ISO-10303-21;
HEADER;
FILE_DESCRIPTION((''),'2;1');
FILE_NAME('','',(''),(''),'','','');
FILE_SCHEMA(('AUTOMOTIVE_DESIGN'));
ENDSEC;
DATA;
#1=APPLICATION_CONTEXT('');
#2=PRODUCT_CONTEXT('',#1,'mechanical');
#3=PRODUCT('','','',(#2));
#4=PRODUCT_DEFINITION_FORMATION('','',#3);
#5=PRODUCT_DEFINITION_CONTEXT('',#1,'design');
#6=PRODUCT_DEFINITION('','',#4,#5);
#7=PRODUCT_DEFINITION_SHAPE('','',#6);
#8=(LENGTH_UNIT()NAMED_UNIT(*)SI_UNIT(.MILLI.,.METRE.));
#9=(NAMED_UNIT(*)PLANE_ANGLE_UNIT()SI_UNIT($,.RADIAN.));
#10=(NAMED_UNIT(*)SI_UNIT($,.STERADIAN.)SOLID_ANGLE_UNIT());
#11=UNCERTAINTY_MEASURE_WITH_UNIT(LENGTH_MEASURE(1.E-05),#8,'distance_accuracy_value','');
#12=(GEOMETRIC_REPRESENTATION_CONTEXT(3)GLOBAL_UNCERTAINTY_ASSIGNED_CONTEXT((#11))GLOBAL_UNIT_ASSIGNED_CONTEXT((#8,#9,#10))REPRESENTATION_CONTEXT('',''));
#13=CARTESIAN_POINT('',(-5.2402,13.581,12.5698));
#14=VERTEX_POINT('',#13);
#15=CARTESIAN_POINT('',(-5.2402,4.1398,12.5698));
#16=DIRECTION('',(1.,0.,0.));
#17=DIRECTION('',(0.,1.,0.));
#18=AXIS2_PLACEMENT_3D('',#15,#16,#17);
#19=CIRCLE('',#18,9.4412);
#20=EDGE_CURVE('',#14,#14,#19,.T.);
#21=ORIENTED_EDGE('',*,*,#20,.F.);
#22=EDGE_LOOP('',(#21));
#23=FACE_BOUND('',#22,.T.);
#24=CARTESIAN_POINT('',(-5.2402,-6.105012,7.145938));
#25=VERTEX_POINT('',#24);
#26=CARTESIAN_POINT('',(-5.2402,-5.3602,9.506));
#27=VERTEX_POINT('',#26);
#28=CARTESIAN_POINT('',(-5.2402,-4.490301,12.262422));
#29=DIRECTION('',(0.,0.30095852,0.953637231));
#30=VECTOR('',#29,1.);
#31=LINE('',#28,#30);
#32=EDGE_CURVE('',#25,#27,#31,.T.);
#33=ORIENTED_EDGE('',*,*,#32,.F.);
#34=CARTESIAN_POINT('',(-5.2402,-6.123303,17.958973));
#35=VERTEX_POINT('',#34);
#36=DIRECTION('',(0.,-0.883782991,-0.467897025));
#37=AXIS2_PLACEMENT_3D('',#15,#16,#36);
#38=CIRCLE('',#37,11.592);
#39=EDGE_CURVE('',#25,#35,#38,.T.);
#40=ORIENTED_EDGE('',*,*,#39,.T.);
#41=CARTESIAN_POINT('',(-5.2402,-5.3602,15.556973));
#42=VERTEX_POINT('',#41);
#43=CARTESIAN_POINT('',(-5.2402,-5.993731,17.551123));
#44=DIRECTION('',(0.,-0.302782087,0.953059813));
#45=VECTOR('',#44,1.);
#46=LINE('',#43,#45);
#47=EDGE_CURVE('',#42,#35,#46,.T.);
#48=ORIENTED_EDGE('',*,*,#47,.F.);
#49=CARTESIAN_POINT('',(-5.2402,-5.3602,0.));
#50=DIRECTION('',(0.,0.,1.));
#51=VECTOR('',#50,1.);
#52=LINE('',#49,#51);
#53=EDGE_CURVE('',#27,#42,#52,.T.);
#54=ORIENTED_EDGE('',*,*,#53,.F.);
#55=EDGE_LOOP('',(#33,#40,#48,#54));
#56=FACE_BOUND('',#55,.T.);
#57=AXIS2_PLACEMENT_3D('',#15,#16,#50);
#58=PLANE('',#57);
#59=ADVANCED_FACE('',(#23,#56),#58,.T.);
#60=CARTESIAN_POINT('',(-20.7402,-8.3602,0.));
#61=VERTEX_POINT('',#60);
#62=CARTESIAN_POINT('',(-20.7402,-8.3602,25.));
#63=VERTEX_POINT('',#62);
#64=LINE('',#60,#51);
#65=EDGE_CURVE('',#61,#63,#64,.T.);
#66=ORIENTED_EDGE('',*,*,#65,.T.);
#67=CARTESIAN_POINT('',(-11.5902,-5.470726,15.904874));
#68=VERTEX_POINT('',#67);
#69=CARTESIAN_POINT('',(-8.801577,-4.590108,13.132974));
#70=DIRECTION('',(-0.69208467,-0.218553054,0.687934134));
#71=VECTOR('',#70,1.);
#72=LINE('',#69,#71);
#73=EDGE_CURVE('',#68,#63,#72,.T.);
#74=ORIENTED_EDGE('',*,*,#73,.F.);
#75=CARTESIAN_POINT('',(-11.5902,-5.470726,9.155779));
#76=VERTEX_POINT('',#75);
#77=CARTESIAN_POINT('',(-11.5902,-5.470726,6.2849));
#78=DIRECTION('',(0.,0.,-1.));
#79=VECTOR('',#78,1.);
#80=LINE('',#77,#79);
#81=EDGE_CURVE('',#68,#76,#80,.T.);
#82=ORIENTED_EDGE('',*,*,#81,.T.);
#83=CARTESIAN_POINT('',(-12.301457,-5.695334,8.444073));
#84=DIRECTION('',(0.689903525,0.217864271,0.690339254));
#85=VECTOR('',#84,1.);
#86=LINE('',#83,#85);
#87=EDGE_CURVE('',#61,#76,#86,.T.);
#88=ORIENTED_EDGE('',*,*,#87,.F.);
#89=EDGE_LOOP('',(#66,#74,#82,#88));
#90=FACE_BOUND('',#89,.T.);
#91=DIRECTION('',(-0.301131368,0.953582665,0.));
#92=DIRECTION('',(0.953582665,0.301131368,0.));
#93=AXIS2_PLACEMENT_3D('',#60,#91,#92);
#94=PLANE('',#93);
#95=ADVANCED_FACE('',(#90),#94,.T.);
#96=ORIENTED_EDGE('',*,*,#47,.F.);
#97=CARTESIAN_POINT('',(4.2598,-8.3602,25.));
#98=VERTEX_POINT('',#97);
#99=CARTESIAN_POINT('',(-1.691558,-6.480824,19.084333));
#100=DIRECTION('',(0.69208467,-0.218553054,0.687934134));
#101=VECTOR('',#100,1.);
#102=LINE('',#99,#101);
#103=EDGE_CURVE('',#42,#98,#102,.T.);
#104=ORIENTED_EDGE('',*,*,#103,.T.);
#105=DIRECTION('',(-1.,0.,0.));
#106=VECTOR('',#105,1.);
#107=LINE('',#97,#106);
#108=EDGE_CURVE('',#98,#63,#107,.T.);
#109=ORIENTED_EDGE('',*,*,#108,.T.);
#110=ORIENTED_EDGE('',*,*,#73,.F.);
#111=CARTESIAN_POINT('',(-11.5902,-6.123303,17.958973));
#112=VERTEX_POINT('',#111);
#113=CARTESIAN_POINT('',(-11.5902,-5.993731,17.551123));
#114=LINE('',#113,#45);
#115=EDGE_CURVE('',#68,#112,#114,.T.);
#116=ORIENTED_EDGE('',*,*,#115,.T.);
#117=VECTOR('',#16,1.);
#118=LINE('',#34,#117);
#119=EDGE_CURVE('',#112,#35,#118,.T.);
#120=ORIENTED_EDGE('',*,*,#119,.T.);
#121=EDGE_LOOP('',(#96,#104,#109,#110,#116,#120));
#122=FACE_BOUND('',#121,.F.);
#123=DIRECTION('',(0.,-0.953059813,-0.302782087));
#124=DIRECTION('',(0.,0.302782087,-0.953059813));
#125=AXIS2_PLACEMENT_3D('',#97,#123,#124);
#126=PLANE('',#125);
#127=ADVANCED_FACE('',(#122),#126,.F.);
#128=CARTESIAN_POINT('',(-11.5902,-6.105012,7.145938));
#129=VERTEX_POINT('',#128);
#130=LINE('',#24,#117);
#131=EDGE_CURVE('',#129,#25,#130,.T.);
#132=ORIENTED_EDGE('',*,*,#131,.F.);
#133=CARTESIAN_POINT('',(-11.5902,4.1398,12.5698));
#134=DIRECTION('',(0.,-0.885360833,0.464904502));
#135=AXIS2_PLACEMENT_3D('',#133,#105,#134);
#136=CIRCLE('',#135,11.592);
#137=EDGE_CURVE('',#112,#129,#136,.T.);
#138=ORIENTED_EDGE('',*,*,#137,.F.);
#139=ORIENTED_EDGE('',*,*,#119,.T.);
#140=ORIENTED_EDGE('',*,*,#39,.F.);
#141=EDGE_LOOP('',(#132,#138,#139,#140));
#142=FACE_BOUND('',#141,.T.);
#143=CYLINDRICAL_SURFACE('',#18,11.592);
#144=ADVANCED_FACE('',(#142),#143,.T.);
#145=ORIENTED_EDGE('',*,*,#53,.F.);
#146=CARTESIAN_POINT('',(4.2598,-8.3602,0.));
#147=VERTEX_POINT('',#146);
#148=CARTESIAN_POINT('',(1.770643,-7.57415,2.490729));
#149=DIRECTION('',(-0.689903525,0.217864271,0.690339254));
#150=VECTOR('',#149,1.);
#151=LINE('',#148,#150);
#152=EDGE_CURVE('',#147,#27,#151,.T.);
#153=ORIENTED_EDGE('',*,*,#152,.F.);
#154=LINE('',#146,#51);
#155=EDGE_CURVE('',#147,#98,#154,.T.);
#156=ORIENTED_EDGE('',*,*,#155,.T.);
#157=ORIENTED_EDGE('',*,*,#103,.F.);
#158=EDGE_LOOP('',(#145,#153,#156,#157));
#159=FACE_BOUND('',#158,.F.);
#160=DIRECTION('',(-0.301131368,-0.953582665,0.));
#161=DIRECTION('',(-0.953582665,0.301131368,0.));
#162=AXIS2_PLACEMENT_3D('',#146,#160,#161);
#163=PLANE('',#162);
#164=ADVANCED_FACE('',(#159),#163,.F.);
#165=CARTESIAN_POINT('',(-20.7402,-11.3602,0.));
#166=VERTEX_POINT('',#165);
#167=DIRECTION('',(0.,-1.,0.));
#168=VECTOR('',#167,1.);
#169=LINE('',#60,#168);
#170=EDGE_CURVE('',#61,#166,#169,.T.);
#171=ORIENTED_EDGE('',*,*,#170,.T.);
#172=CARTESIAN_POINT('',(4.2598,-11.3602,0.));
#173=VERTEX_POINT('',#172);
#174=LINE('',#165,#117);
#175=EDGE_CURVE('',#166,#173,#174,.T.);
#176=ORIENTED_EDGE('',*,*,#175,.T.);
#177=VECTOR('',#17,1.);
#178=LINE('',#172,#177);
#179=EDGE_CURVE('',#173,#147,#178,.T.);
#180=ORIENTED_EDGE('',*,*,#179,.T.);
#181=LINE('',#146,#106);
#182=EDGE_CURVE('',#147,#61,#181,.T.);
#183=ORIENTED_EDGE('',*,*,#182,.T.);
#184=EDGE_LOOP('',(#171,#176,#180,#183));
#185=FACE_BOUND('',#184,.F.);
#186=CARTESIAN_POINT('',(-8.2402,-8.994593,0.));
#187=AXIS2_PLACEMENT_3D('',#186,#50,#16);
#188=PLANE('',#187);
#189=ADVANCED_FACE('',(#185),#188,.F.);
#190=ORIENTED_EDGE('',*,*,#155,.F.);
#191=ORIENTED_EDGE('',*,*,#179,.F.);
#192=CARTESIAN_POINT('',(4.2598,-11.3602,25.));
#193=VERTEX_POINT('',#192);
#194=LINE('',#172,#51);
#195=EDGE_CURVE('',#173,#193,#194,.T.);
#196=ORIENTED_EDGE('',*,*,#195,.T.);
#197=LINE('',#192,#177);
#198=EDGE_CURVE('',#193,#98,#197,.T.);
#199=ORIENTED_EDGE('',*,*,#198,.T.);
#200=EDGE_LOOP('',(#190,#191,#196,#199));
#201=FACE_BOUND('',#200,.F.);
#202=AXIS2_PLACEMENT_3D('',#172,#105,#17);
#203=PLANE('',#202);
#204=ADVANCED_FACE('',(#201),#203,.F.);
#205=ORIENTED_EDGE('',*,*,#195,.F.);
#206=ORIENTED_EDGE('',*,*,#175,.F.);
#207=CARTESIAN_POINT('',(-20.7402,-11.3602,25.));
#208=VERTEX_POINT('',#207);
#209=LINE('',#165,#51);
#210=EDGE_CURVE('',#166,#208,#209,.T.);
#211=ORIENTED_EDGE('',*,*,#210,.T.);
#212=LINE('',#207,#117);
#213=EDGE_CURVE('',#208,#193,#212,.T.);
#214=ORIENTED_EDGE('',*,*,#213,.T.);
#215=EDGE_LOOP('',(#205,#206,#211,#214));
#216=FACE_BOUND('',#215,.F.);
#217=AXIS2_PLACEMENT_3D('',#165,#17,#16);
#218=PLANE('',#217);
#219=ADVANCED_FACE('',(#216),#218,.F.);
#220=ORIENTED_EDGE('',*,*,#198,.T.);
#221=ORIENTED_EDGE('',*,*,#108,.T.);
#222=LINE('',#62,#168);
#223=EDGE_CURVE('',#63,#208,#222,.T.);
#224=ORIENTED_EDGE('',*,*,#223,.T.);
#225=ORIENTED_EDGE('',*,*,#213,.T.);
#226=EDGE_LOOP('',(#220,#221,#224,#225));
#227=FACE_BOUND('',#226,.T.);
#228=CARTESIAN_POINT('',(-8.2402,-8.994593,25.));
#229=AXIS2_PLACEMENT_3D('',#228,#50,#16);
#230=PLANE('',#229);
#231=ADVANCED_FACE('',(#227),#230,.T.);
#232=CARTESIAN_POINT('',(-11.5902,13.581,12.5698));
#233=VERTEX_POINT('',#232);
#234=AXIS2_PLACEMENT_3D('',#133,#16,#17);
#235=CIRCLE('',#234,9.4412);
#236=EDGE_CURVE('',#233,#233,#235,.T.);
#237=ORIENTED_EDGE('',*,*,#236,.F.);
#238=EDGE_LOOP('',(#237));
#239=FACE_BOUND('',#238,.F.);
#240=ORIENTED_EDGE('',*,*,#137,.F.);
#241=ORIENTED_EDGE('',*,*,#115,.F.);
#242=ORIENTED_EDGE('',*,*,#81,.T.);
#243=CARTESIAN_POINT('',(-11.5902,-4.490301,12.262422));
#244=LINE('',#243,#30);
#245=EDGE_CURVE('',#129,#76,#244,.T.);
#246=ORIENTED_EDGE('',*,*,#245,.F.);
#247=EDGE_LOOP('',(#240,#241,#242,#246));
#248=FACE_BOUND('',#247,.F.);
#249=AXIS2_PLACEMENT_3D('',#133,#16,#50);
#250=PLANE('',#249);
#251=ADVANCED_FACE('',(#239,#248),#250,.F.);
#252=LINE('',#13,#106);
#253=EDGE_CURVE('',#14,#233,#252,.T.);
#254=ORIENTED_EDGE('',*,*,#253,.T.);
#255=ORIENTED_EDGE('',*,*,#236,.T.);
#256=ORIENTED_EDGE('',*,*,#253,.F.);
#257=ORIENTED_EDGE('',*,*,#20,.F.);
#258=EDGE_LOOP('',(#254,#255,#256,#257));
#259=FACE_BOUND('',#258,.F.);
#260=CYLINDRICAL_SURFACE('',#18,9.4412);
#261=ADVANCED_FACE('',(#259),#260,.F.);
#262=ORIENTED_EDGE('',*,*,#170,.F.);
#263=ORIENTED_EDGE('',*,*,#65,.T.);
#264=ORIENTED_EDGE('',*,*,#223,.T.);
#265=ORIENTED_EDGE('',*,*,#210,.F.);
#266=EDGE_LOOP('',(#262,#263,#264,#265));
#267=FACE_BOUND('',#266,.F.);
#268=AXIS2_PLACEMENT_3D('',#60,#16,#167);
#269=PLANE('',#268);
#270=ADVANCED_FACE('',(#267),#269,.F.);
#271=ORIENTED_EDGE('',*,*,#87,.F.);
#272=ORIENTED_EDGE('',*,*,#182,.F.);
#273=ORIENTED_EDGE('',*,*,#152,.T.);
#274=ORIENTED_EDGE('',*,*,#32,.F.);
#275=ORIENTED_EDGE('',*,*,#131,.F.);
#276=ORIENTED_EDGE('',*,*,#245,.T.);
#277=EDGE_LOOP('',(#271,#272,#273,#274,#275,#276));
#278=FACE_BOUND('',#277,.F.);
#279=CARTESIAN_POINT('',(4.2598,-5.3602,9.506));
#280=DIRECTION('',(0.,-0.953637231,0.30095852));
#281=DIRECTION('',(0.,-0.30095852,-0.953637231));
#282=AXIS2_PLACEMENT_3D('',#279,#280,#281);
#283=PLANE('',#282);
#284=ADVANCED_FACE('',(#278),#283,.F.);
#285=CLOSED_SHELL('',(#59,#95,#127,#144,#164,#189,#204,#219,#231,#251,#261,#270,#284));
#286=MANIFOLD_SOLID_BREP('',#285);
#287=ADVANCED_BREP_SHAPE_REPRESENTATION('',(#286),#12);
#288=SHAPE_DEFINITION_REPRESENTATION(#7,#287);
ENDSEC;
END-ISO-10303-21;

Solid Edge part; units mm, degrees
sketch "Sketch1" plane through (0, 0, 0) normal (0, 0, 1) x (1, 0, 0)
  line L0 (-20.7402, -11.3602) -> (4.2598, -11.3602)
  line L1 (4.2598, -11.3602) -> (4.2598, -8.3602)
  line L2 (4.2598, -8.3602) -> (-5.2402, -5.3602)
  line L3 (-5.2402, -5.3602) -> (-11.2402, -5.3602)
  line L4 (-20.7402, -8.3602) -> (-11.2402, -5.3602)
  line L5 (-20.7402, -8.3602) -> (-20.7402, -11.3602)
extrude "Protrusion1" add sketch "Sketch1" along normal blind 25
sketch "Sketch2" plane through (4.2598, -9.8602, 12.5) normal (1, 0, 0) x (0, 0, -1)
  line L0 (-12.5, 1.5) -> (-3, 4.5181)
  line L1 (-3, 4.5181) -> (2.994, 4.5)
  line L2 (2.994, 4.5) -> (12.5, 1.5)
extrude "Cutout1" cut sketch "Sketch2" against normal through all material side at (4.2598, -6.8035, 20.2651)
sketch "Sketch3" plane through (-5.2402, 0, 0) normal (1, 0, 0) x (0, 1, 0)
  circle A0 centre (4.1398, 12.5698) radius 11.592
  circle A1 centre (4.1398, 12.5698) radius 9.4412
extrude "ExtrudedProtrusion_2" add sketch "Sketch3" against normal blind 6.35
